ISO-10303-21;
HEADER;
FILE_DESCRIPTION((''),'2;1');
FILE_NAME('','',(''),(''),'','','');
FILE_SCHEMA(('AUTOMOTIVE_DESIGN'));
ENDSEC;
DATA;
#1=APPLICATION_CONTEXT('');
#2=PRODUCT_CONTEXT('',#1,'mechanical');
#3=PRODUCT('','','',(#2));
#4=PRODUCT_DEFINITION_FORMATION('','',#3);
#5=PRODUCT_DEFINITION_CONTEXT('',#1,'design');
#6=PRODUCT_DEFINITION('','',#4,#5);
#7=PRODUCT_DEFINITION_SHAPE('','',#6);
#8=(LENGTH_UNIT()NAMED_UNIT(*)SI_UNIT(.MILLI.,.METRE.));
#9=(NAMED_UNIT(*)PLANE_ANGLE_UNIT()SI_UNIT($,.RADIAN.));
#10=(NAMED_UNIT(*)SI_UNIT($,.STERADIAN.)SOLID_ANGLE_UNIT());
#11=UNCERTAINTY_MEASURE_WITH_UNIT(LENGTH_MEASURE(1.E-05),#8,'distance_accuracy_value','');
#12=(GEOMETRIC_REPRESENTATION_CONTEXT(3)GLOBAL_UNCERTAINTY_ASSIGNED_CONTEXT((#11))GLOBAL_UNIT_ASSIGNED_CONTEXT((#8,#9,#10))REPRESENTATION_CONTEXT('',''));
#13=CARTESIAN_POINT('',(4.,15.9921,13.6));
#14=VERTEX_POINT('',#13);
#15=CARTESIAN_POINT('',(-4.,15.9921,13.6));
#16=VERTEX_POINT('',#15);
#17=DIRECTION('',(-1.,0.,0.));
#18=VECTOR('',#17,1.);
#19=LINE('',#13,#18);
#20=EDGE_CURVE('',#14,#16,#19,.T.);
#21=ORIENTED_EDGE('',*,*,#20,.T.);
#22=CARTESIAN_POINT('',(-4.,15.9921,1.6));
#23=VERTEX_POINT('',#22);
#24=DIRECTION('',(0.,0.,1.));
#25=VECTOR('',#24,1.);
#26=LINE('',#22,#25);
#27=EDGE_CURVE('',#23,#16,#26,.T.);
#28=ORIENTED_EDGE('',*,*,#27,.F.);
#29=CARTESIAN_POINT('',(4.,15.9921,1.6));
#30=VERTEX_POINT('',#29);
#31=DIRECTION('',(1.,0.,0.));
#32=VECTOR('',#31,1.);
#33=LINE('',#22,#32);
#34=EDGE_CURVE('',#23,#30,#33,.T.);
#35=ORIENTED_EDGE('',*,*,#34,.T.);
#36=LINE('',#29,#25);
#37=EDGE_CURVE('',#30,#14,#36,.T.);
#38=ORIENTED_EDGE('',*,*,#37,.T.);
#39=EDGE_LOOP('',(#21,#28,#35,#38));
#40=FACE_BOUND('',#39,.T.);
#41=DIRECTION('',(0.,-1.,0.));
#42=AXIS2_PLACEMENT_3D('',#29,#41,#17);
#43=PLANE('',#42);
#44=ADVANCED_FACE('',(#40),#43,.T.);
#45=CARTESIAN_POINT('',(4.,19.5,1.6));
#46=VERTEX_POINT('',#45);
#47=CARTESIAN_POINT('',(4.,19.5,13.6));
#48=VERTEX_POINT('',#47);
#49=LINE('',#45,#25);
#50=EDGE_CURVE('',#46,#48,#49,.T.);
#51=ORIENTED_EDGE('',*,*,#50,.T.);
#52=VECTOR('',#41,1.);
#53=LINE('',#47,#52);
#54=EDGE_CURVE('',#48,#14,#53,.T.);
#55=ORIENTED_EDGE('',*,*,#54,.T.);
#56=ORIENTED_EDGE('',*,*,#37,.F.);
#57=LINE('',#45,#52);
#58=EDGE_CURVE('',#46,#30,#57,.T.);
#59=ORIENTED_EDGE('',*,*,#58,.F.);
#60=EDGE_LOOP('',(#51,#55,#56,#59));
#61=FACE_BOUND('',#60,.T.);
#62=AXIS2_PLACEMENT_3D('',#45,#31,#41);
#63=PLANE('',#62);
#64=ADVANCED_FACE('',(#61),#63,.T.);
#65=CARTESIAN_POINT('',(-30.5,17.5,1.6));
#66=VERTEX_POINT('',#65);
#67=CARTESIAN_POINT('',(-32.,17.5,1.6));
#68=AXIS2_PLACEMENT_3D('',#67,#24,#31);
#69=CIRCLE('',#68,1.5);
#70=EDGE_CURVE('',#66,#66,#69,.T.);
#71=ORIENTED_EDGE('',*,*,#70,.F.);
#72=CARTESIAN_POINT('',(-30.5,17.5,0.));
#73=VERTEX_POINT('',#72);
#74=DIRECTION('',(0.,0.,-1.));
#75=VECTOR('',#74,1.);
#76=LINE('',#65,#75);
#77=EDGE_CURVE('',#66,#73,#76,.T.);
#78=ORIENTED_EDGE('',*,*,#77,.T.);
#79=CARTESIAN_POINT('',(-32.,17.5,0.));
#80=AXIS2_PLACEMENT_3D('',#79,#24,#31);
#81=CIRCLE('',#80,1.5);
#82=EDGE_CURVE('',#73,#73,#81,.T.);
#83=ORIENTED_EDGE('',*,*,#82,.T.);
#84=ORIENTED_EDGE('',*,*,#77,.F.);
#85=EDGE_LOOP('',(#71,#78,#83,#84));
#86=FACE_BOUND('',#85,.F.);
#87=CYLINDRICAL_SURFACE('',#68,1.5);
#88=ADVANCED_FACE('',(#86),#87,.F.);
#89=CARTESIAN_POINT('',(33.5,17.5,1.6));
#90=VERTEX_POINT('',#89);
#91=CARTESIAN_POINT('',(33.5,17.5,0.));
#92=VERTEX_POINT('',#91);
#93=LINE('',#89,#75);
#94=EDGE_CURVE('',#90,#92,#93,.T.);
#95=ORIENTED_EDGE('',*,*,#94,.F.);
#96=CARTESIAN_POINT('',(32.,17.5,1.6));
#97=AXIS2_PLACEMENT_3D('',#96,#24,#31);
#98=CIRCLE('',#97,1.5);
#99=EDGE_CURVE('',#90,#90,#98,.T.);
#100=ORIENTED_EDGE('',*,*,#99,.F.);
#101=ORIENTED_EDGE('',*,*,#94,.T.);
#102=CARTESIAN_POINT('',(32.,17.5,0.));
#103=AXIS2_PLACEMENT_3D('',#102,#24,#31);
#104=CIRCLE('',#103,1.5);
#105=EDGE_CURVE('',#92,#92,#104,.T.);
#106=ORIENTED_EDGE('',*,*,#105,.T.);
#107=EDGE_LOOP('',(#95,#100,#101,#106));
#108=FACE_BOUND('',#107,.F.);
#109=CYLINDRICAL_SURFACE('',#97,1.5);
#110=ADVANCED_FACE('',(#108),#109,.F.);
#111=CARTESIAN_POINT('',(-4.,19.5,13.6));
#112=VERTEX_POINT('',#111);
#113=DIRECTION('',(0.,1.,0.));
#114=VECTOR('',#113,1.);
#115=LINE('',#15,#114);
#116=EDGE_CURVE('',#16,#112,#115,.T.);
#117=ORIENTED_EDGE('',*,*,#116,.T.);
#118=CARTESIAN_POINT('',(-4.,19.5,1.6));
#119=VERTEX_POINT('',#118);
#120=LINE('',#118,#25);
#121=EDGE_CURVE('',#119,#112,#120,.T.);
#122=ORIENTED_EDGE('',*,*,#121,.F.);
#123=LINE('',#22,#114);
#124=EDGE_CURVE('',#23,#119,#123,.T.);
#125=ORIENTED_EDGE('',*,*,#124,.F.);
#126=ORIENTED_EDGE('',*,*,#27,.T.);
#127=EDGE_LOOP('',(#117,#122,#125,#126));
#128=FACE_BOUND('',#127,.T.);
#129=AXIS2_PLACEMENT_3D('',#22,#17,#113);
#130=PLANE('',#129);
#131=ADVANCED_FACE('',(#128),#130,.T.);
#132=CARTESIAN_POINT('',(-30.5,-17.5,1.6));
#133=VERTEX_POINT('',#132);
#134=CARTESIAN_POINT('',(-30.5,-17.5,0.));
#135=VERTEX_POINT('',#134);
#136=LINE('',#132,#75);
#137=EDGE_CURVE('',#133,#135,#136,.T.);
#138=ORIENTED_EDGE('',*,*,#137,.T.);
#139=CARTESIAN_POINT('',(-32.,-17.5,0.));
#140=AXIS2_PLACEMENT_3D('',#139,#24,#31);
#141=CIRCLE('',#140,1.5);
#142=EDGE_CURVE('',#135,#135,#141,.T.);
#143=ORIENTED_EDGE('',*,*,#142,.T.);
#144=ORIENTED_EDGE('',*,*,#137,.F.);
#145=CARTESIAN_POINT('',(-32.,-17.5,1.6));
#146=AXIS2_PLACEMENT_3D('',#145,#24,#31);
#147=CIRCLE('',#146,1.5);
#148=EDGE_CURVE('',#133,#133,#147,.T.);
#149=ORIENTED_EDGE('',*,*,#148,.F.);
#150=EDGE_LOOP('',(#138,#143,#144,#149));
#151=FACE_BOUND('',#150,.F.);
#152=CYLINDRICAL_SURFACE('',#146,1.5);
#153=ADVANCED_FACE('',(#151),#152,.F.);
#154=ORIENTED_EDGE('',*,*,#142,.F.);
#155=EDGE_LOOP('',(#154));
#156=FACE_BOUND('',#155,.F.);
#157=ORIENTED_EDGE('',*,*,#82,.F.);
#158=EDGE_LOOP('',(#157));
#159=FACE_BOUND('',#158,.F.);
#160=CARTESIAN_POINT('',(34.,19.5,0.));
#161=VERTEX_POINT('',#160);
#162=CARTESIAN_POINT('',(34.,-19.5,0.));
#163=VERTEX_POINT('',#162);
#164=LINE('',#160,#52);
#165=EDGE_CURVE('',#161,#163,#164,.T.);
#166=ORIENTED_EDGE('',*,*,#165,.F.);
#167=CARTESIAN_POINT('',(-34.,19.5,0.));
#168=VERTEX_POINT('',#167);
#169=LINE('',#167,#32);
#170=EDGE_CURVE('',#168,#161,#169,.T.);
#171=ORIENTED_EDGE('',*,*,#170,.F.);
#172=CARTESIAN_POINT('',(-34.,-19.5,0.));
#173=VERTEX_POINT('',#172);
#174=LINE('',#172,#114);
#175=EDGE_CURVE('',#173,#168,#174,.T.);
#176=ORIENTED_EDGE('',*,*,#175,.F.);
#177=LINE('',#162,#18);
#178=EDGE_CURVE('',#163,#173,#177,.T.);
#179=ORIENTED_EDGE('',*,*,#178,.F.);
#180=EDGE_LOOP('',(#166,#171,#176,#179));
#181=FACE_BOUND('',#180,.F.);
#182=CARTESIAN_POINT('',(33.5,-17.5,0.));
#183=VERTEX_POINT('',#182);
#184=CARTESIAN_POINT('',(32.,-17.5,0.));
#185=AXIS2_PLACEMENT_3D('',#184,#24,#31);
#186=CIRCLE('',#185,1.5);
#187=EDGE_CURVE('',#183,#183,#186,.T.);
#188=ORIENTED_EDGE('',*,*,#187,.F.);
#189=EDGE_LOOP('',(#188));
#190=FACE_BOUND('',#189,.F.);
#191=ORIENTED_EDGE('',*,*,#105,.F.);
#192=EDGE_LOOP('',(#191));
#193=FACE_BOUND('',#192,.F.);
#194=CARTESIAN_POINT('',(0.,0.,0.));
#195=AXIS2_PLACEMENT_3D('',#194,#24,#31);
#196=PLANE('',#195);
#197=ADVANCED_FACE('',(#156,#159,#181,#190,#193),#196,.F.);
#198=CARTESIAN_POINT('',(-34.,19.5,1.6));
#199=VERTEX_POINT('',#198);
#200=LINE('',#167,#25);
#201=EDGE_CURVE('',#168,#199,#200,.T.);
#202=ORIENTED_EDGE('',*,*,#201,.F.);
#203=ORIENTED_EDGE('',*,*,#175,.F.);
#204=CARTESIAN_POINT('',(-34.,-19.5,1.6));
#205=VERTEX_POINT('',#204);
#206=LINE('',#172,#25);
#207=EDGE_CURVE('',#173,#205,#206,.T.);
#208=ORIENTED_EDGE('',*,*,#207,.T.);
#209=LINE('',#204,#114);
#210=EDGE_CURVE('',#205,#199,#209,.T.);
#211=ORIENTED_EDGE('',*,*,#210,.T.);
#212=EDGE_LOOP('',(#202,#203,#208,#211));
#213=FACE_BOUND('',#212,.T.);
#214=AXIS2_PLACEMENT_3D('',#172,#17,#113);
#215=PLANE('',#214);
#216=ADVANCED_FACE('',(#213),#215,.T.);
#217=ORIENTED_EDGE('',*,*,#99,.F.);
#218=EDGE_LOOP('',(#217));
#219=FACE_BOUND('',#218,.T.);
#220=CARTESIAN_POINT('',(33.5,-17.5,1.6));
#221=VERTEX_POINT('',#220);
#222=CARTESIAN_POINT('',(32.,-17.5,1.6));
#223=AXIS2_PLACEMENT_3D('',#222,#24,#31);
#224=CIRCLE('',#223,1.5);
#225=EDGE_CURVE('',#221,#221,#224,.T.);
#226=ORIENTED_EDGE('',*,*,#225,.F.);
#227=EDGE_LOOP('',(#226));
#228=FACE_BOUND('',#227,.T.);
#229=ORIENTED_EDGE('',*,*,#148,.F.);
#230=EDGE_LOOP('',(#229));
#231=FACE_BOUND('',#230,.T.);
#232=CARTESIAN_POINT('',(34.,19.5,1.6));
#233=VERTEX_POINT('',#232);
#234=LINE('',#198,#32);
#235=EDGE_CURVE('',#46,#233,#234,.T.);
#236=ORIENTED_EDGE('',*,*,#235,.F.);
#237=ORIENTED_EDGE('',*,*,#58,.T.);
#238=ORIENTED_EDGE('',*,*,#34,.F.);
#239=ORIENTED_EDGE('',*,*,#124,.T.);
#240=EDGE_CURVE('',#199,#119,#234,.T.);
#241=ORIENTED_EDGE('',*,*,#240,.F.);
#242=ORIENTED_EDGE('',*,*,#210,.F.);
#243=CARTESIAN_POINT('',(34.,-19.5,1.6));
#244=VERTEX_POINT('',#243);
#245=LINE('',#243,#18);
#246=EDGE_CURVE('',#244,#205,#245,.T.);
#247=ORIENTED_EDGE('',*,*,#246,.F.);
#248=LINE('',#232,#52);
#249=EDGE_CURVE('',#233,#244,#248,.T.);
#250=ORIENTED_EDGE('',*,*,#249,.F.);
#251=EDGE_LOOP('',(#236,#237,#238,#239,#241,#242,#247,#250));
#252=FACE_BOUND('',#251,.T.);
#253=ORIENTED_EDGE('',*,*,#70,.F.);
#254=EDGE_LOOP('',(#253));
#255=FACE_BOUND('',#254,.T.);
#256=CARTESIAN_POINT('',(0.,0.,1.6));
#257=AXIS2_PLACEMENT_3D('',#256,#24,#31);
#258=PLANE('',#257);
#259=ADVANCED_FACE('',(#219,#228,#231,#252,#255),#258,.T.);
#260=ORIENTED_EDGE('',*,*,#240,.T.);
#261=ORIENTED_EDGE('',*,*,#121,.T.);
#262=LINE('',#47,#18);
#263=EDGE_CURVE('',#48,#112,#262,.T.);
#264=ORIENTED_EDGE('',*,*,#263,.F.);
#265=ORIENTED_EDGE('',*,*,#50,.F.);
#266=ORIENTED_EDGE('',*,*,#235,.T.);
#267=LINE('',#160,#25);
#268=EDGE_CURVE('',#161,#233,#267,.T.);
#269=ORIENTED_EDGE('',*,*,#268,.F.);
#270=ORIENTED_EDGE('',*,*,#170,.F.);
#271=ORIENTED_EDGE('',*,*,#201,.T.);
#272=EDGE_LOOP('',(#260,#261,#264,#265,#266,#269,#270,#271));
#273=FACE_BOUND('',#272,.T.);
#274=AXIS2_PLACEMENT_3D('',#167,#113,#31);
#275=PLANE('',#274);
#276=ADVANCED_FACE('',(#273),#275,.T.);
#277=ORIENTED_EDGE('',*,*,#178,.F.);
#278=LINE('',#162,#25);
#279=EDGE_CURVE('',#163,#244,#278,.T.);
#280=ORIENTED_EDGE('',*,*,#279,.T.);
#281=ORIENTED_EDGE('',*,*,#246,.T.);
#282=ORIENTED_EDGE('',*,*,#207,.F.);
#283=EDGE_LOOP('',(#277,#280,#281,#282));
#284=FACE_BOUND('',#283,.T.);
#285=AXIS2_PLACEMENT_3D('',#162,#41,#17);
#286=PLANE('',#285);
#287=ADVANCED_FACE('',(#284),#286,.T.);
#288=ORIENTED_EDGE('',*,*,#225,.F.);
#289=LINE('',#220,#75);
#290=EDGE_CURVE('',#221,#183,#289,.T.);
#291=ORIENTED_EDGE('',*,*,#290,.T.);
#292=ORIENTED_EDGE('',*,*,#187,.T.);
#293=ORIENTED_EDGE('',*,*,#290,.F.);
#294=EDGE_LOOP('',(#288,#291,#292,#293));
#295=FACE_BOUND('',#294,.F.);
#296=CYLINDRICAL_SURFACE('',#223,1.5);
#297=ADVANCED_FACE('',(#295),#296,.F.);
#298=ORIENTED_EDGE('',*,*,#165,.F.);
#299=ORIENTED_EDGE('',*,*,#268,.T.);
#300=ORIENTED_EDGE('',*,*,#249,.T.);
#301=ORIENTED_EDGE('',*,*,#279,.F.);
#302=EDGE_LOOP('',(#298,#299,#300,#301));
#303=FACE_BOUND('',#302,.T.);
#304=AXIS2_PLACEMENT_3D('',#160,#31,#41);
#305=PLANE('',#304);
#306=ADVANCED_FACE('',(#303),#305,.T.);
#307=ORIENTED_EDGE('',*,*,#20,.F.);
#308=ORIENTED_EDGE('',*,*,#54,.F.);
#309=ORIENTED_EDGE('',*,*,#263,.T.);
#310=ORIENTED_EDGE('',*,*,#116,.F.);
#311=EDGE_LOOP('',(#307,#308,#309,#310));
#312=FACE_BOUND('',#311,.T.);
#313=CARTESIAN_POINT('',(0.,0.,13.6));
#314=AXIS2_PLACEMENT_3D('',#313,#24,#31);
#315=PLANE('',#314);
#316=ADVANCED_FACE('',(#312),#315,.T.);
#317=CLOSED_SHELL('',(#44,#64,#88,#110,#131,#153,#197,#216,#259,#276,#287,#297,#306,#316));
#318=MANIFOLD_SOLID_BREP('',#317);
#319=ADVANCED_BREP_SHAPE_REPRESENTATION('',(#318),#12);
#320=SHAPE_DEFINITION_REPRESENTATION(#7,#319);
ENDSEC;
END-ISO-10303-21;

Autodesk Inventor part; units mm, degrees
ref_plane "YZ Plane" through (0, 0, 0) normal (1, 0, 0) x (0, 1, 0)
ref_plane "XZ Plane" through (0, 0, 0) normal (0, 1, 0) x (-1, 0, 0)
ref_plane "XY Plane" through (0, 0, 0) normal (0, 0, 1) x (1, 0, 0)
sketch "스케치1" plane through (0, 0, 0) normal (0, 0, 1) x (1, 0, 0)
  line L0 (-34, 19.5) -> (34, 19.5)
  line L1 (34, 19.5) -> (34, -19.5)
  line L2 (34, -19.5) -> (-34, -19.5)
  line L3 (-34, -19.5) -> (-34, 19.5)
  line L4 (-34, 19.5) -> (34, -19.5) construction
  line L5 (34, 19.5) -> (-34, -19.5) construction
  point P0 (0, 0)
  dimension "d0" = 68
  dimension "d1" = 39
extrude "돌출1" add sketch "스케치1" along normal blind 1.6
sketch "스케치3" plane through (0, 0, 1.6) normal (0, 0, 1) x (1, 0, 0)
  circle A0 centre (32, 17.5) radius 2
  circle A1 centre (-32, 17.5) radius 2
  circle A2 centre (-32, -17.5) radius 2
  circle A3 centre (32, -17.5) radius 2
  line L0 (34, 19.5) -> (-34, 19.5) projected
  line L1 (34, -19.5) -> (34, 19.5) projected
  line L2 (-34, -19.5) -> (34, -19.5) projected
  line L3 (-34, 19.5) -> (-34, -19.5) projected
  circle A4 centre (-32, 17.5) radius 1.5
  circle A5 centre (32, 17.5) radius 1.5
  circle A6 centre (32, -17.5) radius 1.5
  circle A7 centre (-32, -17.5) radius 1.5
  point P0 (0, 0)
  dimension "d4" = 4
  dimension "d5" = 4
  dimension "d6" = 4
  dimension "d7" = 4
  dimension "d8" = 3
  dimension "d9" = 3
  dimension "d10" = 3
  dimension "d11" = 3
extrude "돌출2" cut sketch "스케치3" against normal up to surface (1.6 mm away) contours A4 | A5 | A6 | A7
sketch "스케치4" plane through (0, 0, 1.6) normal (0, 0, 1) x (1, 0, 0)
  line L0 (4, 15.9921) -> (-4, 15.9921)
  line L1 (-4, 15.9921) -> (-4, 19.5)
  line L2 (-4, 19.5) -> (4, 19.5)
  line L3 (4, 19.5) -> (4, 15.9921)
  line L4 (4, 15.9921) -> (-4, 19.5) construction
  line L5 (-4, 15.9921) -> (4, 19.5) construction
  line L6 (34, 19.5) -> (-34, 19.5) projected
  line L7 (0, -27.3) -> (0, 27.3) projected
  point P0 (0, 0)
  point P1 (0, 17.746)
  point P2 (0, 19.5)
  point P3 (-4, 17.746)
  dimension "d14" = 8
extrude "돌출3" add sketch "스케치4" along normal blind 12
properties part number "컨버터"
